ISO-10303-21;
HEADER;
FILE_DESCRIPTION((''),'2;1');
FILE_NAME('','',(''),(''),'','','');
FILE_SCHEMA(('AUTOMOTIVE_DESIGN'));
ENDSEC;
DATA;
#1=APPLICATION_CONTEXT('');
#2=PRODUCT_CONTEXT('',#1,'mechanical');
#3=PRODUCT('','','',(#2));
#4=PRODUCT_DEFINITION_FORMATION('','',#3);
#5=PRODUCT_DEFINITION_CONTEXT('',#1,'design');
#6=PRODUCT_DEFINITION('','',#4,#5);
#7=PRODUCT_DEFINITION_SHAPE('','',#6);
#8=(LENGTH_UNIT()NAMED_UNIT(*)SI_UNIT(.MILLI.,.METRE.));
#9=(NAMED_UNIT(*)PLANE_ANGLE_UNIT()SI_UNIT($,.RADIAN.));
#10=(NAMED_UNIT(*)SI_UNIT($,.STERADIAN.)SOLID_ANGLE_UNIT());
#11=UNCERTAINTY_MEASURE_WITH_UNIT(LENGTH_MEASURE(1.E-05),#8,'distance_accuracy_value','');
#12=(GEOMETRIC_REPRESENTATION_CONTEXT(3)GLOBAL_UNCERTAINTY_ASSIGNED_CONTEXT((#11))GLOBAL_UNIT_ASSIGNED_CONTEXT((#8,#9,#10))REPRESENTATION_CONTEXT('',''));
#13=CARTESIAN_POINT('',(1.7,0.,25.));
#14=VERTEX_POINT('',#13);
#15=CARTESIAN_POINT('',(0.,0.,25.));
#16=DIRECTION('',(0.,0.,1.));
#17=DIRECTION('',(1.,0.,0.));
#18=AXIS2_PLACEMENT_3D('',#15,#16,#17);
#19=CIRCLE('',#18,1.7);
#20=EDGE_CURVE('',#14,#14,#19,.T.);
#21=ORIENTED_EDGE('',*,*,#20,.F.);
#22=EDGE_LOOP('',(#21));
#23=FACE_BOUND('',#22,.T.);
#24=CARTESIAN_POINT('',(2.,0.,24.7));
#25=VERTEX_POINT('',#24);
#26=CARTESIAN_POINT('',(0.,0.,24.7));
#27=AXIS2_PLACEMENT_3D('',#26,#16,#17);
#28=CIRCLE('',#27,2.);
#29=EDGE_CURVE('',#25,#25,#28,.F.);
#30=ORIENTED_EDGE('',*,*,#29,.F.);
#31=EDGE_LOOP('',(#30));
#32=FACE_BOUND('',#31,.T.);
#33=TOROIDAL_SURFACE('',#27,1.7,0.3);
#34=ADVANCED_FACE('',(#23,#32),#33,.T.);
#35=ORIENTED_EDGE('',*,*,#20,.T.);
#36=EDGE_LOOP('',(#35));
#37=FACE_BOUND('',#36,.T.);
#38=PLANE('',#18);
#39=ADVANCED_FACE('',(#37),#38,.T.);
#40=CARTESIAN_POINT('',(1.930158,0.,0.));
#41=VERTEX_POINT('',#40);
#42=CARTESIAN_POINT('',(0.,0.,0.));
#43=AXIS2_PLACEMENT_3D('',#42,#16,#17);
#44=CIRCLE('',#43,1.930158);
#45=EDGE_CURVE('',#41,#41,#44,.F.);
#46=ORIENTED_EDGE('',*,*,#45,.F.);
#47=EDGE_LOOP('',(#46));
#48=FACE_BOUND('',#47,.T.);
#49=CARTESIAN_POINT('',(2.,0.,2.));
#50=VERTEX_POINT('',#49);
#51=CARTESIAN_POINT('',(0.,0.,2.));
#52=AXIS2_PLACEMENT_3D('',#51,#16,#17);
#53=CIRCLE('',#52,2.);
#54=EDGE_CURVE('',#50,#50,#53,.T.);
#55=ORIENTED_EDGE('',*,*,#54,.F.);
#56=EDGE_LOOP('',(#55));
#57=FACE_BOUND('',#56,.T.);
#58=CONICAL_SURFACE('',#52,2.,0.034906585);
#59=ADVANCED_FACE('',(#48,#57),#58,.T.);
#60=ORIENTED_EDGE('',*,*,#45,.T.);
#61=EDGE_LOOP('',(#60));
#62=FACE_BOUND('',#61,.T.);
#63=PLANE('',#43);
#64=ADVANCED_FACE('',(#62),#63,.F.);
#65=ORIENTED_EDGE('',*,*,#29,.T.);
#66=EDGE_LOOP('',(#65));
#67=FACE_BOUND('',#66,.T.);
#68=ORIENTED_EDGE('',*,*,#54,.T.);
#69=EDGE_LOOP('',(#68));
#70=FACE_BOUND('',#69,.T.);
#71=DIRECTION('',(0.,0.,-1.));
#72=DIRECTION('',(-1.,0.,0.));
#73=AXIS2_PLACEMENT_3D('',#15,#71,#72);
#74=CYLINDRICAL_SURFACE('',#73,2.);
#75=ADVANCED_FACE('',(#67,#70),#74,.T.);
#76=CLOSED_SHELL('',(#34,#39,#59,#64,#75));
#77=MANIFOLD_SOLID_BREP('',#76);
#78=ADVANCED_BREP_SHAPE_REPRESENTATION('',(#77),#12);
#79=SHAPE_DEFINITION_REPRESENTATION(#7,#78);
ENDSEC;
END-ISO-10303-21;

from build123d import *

# Parameters (mm, degrees)
CROQUIS1_R              = 2
SALIENTE_EXTRUIR1_DEPTH = 25
CHAFL_N1_SIZE           = 2
CHAFL_N1_SIZE2          = 0.069841539
REDONDEO1_R             = 0.3


with BuildPart() as part:
    # Croquis1 → Saliente-Extruir1 (new body)
    with BuildSketch(Plane.XY):
        Circle(CROQUIS1_R)
    extrude(amount=SALIENTE_EXTRUIR1_DEPTH)

    # Chaflán1
    chafl_n1_edges = [part.edges().sort_by_distance(p)[0] for p in [
        (-2, 0, 0),
    ]]
    chafl_n1_side = [part.faces().sort_by_distance(p)[0] for p in [
        (-2, 0, 12.5),
    ]]
    chamfer(chafl_n1_edges, length=CHAFL_N1_SIZE, length2=CHAFL_N1_SIZE2, reference=chafl_n1_side[0])

    # Redondeo1
    redondeo1_edges = [part.edges().sort_by_distance(p)[0] for p in [
        (-2, 0, 25),
    ]]
    fillet(redondeo1_edges, radius=REDONDEO1_R)


solid = part.part
